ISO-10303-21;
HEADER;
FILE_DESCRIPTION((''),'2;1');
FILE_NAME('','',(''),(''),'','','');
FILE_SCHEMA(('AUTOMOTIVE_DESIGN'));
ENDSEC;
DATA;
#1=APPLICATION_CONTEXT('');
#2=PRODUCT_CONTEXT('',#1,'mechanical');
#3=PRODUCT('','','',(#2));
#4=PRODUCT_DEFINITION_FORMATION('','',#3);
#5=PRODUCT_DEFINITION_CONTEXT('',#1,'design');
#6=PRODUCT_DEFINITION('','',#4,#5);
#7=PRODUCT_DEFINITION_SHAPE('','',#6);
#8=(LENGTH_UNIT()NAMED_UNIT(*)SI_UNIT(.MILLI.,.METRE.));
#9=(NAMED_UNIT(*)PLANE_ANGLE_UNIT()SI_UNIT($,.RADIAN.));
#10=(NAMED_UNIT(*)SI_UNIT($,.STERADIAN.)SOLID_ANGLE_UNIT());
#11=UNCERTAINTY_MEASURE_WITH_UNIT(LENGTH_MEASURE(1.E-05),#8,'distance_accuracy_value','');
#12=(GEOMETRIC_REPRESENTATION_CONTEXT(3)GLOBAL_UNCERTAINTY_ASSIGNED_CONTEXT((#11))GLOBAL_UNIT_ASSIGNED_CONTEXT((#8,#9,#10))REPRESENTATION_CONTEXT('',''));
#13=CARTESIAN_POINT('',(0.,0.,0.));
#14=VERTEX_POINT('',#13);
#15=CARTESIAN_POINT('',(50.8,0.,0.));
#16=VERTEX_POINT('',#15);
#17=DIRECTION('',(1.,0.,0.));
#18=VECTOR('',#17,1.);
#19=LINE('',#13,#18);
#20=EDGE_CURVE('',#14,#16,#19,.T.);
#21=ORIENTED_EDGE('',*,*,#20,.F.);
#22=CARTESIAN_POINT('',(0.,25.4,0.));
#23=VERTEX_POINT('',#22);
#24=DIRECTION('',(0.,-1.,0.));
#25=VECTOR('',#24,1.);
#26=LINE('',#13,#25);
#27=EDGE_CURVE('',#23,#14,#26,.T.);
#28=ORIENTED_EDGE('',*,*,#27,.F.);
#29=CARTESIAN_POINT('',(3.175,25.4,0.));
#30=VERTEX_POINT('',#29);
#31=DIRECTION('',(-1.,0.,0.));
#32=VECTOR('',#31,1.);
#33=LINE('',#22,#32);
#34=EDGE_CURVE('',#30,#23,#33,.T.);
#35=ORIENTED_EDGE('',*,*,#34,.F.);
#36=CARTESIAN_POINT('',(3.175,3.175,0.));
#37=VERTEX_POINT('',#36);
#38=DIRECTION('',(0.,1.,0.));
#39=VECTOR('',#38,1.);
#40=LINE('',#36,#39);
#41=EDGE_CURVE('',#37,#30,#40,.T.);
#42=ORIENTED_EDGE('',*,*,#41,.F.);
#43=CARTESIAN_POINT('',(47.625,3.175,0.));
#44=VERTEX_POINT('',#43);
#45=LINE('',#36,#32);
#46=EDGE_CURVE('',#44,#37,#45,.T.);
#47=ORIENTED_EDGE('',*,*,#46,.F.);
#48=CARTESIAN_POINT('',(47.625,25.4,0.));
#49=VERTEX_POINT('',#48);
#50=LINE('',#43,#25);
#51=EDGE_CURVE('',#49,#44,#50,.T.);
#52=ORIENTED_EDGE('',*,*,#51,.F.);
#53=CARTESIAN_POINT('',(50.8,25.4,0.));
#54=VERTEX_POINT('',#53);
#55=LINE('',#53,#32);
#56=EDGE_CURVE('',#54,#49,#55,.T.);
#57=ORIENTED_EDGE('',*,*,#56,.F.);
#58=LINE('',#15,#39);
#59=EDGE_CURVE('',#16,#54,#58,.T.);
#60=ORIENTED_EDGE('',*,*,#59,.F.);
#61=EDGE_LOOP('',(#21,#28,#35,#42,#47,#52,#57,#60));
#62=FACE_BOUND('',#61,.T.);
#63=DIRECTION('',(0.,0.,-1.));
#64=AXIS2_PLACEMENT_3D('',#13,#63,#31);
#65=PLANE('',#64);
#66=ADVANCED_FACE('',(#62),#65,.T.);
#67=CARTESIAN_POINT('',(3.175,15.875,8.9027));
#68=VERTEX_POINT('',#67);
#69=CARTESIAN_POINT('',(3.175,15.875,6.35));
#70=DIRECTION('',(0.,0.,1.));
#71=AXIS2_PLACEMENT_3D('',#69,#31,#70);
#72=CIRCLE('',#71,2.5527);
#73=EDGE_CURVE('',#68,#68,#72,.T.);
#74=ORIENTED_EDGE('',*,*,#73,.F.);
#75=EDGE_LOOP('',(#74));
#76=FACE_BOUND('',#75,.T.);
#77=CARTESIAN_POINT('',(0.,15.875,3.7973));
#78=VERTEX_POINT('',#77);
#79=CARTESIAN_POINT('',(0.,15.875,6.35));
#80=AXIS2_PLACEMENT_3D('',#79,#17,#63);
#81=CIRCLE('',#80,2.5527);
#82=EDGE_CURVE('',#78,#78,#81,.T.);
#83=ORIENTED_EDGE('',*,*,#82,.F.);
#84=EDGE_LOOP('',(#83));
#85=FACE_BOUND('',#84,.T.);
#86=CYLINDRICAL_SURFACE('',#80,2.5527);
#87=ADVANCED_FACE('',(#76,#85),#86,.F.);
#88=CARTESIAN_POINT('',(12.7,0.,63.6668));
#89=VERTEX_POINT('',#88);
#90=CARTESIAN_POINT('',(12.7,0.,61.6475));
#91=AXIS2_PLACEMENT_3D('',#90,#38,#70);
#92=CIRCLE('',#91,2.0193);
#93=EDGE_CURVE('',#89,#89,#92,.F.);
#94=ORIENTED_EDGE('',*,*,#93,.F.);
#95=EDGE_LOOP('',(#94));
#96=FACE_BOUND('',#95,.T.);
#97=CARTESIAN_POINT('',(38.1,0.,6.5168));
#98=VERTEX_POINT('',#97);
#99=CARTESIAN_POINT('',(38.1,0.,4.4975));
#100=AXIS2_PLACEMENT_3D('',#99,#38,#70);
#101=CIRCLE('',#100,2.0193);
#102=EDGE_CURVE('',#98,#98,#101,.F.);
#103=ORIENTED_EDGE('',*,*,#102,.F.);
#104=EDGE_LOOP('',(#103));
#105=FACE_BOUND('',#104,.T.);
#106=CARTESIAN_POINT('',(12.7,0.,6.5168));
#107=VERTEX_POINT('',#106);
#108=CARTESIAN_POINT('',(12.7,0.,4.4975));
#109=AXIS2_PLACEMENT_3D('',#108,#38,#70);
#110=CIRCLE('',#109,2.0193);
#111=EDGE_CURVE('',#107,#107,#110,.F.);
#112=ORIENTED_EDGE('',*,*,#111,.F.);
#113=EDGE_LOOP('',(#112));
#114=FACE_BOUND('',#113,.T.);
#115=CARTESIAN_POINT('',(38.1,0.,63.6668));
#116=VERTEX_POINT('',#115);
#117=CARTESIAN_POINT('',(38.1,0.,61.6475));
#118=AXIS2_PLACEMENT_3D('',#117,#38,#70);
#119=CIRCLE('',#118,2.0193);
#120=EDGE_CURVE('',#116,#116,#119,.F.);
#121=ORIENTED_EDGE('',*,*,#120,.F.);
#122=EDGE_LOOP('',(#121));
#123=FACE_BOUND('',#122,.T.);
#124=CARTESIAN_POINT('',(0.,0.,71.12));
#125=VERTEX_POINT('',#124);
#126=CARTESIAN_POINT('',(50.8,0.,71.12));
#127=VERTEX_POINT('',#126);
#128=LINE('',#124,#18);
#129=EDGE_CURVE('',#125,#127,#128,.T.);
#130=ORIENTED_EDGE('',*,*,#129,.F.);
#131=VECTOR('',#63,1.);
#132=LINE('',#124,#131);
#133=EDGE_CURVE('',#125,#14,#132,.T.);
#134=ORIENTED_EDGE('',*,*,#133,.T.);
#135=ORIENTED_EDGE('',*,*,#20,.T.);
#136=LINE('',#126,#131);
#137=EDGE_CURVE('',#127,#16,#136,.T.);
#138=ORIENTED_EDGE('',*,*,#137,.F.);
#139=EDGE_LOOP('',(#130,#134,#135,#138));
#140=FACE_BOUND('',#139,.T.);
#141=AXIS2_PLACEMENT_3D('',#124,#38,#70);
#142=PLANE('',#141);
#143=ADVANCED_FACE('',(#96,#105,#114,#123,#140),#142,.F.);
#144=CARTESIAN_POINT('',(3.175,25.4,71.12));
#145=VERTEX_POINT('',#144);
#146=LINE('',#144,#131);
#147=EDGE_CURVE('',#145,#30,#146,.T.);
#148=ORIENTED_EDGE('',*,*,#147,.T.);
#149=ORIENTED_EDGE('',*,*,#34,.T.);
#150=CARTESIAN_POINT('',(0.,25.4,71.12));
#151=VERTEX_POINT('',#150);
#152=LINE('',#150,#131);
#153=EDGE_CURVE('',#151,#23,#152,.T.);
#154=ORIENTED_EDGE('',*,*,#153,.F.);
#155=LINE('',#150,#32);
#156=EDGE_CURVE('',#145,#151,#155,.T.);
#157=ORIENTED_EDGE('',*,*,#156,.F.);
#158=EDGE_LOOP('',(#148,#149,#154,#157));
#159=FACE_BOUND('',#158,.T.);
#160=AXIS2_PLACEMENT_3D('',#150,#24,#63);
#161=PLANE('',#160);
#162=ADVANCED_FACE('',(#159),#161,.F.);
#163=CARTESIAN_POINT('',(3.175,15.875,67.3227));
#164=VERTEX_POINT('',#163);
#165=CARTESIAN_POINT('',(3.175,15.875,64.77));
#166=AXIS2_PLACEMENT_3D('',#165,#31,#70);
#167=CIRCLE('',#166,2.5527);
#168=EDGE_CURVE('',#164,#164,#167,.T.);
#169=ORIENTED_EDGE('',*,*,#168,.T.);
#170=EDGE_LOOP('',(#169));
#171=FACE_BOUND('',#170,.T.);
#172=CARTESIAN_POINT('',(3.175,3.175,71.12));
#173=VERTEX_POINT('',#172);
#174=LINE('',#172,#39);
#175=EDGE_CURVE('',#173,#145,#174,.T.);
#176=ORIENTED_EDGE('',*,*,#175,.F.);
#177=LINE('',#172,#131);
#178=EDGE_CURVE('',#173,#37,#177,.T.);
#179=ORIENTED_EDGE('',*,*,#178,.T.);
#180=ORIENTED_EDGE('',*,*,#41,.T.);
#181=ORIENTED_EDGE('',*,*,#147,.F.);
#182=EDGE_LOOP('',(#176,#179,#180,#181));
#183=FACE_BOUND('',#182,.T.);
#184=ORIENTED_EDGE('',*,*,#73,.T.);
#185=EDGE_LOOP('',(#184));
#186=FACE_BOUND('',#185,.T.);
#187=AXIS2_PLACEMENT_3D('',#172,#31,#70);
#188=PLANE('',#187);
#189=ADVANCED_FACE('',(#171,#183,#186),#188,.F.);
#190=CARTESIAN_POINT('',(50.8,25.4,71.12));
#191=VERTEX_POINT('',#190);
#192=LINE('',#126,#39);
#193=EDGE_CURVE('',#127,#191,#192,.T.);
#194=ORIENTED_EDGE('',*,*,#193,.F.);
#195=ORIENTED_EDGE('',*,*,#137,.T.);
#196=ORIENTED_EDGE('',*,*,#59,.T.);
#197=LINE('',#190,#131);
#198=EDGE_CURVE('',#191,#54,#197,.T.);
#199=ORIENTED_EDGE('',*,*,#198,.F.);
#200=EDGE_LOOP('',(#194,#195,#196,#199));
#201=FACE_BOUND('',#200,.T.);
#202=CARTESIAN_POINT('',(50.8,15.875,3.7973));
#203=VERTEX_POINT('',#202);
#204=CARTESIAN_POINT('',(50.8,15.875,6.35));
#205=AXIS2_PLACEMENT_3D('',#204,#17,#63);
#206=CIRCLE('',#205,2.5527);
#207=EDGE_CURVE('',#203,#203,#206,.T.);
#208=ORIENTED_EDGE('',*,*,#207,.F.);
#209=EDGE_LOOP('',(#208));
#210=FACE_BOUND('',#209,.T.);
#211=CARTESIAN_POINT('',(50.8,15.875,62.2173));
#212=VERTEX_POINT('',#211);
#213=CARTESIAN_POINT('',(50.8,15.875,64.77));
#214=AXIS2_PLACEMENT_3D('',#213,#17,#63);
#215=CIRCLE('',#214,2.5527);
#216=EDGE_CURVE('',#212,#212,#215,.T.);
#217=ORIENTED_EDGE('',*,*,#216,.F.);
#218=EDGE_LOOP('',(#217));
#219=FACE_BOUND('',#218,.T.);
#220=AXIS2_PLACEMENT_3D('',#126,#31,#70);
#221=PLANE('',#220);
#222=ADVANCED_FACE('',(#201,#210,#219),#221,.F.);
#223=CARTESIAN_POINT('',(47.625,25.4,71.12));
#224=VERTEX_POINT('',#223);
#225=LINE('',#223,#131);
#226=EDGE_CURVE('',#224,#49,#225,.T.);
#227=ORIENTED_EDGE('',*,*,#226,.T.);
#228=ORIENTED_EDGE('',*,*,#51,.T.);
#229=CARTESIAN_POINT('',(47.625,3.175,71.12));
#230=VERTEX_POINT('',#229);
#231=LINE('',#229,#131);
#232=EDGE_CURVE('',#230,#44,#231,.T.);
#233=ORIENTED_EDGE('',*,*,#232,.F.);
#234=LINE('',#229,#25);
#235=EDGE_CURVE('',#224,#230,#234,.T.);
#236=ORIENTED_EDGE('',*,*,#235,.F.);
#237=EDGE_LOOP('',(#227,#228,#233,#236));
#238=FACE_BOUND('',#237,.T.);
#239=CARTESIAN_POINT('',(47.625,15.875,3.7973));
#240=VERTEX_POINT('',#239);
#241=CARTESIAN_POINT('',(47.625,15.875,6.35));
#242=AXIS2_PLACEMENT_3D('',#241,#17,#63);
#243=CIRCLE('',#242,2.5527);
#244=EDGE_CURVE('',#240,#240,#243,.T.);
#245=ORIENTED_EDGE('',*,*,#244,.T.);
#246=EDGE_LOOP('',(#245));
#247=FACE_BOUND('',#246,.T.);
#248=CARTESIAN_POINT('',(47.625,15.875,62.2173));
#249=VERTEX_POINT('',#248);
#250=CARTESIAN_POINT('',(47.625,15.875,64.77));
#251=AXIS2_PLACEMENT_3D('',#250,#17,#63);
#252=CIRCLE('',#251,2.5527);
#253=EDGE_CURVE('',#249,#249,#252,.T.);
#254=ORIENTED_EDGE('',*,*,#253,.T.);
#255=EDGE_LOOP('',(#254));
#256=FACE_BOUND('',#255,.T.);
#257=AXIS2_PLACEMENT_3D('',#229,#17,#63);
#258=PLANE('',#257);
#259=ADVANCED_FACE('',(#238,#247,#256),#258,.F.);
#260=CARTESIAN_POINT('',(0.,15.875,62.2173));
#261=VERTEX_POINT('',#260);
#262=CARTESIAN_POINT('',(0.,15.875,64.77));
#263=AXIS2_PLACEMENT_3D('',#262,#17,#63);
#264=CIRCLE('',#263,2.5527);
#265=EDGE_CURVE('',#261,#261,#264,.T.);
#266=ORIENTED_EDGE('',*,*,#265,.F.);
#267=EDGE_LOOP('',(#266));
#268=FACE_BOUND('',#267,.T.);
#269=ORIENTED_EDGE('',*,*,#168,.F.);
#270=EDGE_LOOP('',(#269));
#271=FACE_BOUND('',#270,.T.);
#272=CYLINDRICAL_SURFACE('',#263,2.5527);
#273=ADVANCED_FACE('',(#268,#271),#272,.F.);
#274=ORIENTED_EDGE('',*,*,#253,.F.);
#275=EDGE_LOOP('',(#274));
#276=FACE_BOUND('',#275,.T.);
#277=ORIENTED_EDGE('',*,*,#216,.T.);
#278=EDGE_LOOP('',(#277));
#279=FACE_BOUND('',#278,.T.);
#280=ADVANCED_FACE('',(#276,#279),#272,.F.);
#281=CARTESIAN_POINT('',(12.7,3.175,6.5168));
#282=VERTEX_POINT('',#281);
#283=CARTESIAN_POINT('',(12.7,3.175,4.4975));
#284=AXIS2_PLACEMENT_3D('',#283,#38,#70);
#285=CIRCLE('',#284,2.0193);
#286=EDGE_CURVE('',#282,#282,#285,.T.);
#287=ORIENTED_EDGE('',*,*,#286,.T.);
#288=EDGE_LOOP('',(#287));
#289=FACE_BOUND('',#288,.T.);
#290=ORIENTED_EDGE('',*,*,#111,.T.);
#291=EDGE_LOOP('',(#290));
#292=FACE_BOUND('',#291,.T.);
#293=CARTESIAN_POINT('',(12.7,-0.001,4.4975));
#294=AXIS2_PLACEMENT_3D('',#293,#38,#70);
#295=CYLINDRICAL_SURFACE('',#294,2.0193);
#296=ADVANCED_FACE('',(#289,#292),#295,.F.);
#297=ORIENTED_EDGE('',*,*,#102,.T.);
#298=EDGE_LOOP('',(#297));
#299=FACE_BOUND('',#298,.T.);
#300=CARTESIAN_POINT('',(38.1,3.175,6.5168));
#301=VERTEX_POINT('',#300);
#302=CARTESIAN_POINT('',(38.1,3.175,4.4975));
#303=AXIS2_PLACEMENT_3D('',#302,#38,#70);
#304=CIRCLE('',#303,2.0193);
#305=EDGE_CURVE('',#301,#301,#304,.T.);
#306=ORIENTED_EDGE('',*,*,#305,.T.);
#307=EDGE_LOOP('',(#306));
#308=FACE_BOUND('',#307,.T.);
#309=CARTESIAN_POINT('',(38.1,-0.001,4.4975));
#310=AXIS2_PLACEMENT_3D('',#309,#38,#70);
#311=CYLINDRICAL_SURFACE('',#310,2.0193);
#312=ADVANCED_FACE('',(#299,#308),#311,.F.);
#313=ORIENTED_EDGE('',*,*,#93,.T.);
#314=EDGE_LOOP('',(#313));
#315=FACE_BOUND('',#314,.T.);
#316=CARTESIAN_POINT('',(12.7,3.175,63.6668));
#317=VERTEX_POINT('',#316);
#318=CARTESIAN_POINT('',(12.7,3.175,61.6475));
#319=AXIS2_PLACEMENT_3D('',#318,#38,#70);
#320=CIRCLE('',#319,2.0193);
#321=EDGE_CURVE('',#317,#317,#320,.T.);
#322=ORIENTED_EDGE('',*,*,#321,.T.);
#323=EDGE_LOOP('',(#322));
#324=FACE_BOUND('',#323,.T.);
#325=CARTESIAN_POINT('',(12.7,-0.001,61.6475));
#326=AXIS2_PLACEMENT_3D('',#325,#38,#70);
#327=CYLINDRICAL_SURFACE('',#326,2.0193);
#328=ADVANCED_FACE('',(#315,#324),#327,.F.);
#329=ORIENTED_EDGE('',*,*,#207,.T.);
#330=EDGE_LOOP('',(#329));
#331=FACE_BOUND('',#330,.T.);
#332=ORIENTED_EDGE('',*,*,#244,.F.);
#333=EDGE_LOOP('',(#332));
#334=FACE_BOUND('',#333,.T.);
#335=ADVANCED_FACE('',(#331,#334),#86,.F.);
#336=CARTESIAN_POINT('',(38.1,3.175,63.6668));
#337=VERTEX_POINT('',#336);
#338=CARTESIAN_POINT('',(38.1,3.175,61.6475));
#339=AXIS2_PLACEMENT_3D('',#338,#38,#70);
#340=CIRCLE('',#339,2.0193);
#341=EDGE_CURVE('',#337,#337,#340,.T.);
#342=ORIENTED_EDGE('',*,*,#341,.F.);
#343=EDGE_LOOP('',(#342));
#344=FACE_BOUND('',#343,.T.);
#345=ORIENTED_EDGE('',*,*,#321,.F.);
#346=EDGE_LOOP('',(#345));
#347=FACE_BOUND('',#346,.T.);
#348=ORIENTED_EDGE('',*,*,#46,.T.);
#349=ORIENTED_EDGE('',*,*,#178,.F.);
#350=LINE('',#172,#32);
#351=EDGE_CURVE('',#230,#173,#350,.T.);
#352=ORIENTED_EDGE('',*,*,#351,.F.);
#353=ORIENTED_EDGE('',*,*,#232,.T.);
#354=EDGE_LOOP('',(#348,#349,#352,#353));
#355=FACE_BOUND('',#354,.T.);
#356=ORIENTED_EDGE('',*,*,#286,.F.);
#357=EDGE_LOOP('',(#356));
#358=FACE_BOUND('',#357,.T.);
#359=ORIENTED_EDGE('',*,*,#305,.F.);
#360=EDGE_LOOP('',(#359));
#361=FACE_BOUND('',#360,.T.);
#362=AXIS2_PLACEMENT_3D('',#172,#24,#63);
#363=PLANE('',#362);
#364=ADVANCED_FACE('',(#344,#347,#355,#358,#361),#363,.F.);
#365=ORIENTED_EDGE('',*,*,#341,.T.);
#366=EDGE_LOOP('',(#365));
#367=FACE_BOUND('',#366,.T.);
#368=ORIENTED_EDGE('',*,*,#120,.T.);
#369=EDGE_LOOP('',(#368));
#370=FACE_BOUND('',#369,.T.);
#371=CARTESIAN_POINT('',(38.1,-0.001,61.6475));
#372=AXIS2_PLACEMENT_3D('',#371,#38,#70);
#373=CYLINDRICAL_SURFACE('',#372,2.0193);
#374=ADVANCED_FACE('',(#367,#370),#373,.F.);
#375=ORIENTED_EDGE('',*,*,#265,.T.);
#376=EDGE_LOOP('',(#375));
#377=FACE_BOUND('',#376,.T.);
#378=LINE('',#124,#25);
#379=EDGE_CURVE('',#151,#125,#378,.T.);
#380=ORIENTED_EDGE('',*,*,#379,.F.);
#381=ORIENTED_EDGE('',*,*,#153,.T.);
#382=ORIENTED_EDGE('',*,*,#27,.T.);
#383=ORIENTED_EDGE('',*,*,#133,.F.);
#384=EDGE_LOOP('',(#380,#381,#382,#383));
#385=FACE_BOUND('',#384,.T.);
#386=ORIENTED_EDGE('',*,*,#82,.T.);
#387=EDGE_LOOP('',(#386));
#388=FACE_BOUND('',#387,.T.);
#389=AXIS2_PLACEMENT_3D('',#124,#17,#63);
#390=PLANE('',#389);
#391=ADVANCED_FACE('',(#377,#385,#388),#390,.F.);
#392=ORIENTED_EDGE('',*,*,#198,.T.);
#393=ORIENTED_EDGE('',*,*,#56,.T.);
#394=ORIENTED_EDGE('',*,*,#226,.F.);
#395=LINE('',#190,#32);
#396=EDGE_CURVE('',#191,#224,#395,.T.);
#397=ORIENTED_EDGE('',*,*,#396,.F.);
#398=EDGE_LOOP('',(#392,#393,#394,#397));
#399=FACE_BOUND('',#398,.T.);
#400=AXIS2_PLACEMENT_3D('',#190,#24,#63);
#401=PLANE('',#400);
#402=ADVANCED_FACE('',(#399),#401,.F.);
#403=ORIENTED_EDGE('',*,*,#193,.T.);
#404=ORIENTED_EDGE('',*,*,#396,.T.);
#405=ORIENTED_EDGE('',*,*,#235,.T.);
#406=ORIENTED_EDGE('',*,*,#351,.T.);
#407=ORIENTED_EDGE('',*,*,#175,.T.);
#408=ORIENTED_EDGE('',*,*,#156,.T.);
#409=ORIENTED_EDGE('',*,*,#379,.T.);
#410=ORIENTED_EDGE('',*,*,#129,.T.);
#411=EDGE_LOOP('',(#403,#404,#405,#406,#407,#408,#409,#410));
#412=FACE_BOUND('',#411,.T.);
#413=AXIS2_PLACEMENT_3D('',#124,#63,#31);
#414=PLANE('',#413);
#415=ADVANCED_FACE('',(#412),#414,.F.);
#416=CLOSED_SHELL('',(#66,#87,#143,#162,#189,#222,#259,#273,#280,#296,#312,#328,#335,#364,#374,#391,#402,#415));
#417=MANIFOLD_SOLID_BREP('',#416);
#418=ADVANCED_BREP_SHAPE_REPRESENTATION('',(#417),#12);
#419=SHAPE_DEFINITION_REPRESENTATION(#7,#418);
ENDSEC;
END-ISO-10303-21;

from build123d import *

# Parameters (mm, degrees)
BOSS_EXTRUDE1_DEPTH = 71.12
CUT_EXTRUDE1_REACH  = 5.175
SKETCH2_R           = 2.0193
SKETCH3_R           = 2.5527
CUT_EXTRUDE2_DEPTH  = 51.8


with BuildPart() as part:
    # Sketch1 → Boss-Extrude1 (new body)
    with BuildSketch(Plane.XY):
        Polygon((47.625, 3.175), (47.625, 25.4), (50.8, 25.4), (50.8, 0), (0, 0), (0, 25.4), (3.175, 25.4), (3.175, 3.175), align=None)
    extrude(amount=BOSS_EXTRUDE1_DEPTH)

    # Sketch2 → Cut-Extrude1 (cut, up to next)
    with BuildSketch(Plane(origin=(0, 3.175, 0), x_dir=(1, 0, 0), z_dir=(0, 1, 0)), mode=Mode.PRIVATE) as cut_extrude1_sk1:
        with Locations((38.1, -4.4975)):
            Circle(SKETCH2_R)
    cut_extrude1_tool1 = extrude(cut_extrude1_sk1.sketch, amount=-CUT_EXTRUDE1_REACH, mode=Mode.PRIVATE) & part.part
    add(cut_extrude1_tool1.solids().sort_by_distance((38.1, 3.175, 4.4975))[0], mode=Mode.SUBTRACT)
    # Sketch2 → Cut-Extrude1 (cut, up to next)
    with BuildSketch(Plane(origin=(0, 3.175, 0), x_dir=(1, 0, 0), z_dir=(0, 1, 0)), mode=Mode.PRIVATE) as cut_extrude1_sk2:
        with Locations((38.1, -61.6475)):
            Circle(SKETCH2_R)
    cut_extrude1_tool2 = extrude(cut_extrude1_sk2.sketch, amount=-CUT_EXTRUDE1_REACH, mode=Mode.PRIVATE) & part.part
    add(cut_extrude1_tool2.solids().sort_by_distance((38.1, 3.175, 61.6475))[0], mode=Mode.SUBTRACT)
    # Sketch2 → Cut-Extrude1 (cut, up to next)
    with BuildSketch(Plane(origin=(0, 3.175, 0), x_dir=(1, 0, 0), z_dir=(0, 1, 0)), mode=Mode.PRIVATE) as cut_extrude1_sk3:
        with Locations((12.7, -4.4975)):
            Circle(SKETCH2_R)
    cut_extrude1_tool3 = extrude(cut_extrude1_sk3.sketch, amount=-CUT_EXTRUDE1_REACH, mode=Mode.PRIVATE) & part.part
    add(cut_extrude1_tool3.solids().sort_by_distance((12.7, 3.175, 4.4975))[0], mode=Mode.SUBTRACT)
    # Sketch2 → Cut-Extrude1 (cut, up to next)
    with BuildSketch(Plane(origin=(0, 3.175, 0), x_dir=(1, 0, 0), z_dir=(0, 1, 0)), mode=Mode.PRIVATE) as cut_extrude1_sk4:
        with Locations((12.7, -61.6475)):
            Circle(SKETCH2_R)
    cut_extrude1_tool4 = extrude(cut_extrude1_sk4.sketch, amount=-CUT_EXTRUDE1_REACH, mode=Mode.PRIVATE) & part.part
    add(cut_extrude1_tool4.solids().sort_by_distance((12.7, 3.175, 61.6475))[0], mode=Mode.SUBTRACT)

    # Sketch3 → Cut-Extrude2 (cut, through all)
    with BuildSketch(Plane(origin=(50.8, 0, 0), x_dir=(0, 0, -1), z_dir=(1, 0, 0))):
        with Locations((-6.35, 15.875)):
            Circle(SKETCH3_R)
        with Locations((-64.77, 15.875)):
            Circle(SKETCH3_R)
    extrude(amount=-CUT_EXTRUDE2_DEPTH, mode=Mode.SUBTRACT)


solid = part.part
